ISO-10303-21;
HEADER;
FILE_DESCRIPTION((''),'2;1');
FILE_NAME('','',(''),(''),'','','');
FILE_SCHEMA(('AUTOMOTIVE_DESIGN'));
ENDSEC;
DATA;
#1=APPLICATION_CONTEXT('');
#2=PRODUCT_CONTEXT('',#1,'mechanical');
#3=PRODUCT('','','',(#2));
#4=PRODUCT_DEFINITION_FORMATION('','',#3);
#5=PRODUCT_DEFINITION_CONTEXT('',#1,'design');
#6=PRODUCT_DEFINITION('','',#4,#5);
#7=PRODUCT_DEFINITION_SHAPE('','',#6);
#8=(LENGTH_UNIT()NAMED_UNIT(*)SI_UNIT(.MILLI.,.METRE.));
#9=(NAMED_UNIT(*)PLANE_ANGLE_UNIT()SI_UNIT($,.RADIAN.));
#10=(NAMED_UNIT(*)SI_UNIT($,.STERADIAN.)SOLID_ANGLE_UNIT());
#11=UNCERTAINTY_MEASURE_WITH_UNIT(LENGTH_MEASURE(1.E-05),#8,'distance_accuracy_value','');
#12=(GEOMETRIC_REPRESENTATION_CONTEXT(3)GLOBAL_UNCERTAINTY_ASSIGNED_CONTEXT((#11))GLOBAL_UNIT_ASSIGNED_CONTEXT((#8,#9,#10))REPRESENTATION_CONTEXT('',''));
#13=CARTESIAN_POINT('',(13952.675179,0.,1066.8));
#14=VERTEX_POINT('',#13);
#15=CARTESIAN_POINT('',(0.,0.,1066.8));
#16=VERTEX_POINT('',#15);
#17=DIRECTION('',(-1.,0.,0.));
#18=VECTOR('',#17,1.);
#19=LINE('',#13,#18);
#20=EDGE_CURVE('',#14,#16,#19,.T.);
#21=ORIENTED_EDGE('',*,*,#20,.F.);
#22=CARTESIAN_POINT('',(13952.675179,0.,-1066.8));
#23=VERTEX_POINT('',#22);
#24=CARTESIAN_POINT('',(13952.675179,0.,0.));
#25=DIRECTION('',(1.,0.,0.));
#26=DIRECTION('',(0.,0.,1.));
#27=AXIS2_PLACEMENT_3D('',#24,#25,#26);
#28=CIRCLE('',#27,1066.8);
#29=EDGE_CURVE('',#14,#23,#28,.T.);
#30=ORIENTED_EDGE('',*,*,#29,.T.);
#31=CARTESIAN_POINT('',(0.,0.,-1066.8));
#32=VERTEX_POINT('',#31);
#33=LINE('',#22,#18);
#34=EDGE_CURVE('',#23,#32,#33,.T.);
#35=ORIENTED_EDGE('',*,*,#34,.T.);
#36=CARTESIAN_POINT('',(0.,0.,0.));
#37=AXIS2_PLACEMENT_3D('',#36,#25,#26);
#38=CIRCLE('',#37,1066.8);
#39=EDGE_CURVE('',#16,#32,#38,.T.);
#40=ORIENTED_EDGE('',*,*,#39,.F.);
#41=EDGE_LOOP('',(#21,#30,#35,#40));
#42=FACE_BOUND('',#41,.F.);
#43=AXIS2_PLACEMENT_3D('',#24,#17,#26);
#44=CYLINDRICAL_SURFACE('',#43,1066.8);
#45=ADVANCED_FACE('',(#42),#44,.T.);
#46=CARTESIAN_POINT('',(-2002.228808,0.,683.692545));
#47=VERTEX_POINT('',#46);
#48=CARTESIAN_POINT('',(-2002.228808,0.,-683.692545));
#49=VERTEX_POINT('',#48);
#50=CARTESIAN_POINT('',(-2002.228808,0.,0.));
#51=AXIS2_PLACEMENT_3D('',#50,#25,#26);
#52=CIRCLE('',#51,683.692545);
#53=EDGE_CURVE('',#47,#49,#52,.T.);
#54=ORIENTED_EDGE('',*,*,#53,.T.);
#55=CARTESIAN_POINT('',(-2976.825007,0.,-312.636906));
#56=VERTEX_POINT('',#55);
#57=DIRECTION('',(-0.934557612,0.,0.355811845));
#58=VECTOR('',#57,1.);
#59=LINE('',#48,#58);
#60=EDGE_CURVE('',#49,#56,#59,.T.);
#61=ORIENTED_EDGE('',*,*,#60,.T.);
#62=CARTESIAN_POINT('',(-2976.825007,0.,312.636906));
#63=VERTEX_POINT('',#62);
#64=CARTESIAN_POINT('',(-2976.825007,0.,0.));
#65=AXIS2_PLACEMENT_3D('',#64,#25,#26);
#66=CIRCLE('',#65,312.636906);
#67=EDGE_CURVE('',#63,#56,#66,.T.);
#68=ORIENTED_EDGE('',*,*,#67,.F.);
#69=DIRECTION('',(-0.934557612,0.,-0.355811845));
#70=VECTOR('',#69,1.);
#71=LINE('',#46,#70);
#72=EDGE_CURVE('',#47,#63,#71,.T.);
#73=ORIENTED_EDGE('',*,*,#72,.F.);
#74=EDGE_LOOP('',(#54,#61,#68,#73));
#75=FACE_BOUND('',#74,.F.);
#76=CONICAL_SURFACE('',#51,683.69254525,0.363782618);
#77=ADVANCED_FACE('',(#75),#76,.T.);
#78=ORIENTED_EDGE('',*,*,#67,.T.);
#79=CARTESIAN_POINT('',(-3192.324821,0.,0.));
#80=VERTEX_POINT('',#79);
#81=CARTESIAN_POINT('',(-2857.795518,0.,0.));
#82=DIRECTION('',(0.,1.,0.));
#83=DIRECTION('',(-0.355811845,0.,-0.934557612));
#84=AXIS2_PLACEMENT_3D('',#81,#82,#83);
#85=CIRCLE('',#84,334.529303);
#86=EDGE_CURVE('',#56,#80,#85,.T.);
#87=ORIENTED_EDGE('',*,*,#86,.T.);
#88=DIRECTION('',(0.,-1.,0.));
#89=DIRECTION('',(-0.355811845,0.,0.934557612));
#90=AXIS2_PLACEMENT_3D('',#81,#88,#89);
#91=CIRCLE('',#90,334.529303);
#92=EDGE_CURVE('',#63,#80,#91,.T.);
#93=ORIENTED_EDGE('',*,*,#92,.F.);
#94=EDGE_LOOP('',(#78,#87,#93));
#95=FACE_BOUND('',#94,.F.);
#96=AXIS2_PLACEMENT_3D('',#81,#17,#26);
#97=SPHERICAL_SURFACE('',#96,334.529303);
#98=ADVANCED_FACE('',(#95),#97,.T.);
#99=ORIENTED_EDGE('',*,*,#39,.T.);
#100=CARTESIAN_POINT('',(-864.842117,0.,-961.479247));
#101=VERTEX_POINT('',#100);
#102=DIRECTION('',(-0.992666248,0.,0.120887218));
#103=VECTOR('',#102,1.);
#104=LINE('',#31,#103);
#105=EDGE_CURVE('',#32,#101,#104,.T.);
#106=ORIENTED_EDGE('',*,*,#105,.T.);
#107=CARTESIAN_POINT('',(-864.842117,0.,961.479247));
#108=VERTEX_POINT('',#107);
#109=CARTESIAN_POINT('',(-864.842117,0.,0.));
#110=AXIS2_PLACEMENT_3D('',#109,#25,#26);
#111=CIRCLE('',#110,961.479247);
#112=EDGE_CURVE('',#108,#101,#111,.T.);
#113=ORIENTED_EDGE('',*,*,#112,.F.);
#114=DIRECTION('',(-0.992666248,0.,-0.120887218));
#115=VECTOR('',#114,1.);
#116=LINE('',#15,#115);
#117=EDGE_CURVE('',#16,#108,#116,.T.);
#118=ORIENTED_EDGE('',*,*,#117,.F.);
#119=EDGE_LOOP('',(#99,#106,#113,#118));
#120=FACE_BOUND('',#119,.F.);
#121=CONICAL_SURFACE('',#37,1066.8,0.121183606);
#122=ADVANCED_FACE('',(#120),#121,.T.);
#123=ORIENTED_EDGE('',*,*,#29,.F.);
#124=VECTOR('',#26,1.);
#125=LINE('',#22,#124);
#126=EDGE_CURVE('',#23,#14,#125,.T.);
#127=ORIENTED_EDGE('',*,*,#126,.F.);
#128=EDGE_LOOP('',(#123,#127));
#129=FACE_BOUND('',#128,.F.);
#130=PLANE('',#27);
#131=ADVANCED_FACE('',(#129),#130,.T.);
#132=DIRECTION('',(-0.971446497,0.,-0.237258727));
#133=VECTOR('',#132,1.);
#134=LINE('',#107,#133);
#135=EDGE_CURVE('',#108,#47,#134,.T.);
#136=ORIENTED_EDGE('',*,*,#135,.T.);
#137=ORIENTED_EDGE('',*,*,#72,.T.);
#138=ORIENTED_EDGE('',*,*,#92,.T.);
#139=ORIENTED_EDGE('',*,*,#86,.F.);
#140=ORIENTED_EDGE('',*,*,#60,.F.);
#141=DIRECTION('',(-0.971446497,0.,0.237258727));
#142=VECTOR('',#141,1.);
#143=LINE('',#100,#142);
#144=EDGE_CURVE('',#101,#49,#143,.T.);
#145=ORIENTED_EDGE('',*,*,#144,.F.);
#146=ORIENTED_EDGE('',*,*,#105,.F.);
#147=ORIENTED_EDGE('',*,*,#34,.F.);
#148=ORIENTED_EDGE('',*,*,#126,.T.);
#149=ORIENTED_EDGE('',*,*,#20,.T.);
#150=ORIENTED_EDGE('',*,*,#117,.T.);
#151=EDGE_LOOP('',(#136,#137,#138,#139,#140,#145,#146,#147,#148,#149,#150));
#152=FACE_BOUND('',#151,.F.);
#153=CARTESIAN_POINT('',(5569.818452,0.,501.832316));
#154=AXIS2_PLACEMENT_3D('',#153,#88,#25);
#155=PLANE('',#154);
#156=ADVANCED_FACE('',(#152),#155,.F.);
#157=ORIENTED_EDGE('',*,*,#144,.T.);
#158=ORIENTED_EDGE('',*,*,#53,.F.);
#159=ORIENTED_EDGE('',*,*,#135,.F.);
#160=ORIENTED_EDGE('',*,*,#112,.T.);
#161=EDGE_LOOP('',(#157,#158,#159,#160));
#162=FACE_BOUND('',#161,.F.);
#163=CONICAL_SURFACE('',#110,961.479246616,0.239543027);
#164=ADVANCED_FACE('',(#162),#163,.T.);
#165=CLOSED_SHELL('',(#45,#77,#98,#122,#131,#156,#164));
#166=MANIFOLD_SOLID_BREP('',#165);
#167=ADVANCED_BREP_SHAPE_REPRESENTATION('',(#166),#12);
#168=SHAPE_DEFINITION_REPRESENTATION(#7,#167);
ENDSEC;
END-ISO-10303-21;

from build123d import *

# Parameters (mm, degrees)
F1_ANGLE = 180


with BuildPart() as f1:
    # F0 (on Front) → F1 (revolve)
    with BuildSketch(Plane.XZ):
        with BuildLine():
            Line((13952.6751789783, 1066.8), (0, 1066.8))
            Line((0, 1066.8), (-864.8421168327, 961.4792466164))
            Line((-864.8421168327, 961.4792466164), (-2002.2288076651, 683.6925452499))
            Line((-2002.2288076651, 683.6925452499), (-2976.8250068617, 312.6369062986))
            ThreePointArc((-2976.8250068617, 312.6369062986), (-3133.2303619462, 189.8565281225), (-3192.3248210217, 0))
            Line((-3192.3248210217, 0), (13952.6751789783, 0))
            Line((13952.6751789783, 0), (13952.6751789783, 1066.8))
        make_face()
    revolve(axis=Axis((28213.1769786395, 0, 0), (1, 0, 0)), revolution_arc=F1_ANGLE)


solid = f1.part
